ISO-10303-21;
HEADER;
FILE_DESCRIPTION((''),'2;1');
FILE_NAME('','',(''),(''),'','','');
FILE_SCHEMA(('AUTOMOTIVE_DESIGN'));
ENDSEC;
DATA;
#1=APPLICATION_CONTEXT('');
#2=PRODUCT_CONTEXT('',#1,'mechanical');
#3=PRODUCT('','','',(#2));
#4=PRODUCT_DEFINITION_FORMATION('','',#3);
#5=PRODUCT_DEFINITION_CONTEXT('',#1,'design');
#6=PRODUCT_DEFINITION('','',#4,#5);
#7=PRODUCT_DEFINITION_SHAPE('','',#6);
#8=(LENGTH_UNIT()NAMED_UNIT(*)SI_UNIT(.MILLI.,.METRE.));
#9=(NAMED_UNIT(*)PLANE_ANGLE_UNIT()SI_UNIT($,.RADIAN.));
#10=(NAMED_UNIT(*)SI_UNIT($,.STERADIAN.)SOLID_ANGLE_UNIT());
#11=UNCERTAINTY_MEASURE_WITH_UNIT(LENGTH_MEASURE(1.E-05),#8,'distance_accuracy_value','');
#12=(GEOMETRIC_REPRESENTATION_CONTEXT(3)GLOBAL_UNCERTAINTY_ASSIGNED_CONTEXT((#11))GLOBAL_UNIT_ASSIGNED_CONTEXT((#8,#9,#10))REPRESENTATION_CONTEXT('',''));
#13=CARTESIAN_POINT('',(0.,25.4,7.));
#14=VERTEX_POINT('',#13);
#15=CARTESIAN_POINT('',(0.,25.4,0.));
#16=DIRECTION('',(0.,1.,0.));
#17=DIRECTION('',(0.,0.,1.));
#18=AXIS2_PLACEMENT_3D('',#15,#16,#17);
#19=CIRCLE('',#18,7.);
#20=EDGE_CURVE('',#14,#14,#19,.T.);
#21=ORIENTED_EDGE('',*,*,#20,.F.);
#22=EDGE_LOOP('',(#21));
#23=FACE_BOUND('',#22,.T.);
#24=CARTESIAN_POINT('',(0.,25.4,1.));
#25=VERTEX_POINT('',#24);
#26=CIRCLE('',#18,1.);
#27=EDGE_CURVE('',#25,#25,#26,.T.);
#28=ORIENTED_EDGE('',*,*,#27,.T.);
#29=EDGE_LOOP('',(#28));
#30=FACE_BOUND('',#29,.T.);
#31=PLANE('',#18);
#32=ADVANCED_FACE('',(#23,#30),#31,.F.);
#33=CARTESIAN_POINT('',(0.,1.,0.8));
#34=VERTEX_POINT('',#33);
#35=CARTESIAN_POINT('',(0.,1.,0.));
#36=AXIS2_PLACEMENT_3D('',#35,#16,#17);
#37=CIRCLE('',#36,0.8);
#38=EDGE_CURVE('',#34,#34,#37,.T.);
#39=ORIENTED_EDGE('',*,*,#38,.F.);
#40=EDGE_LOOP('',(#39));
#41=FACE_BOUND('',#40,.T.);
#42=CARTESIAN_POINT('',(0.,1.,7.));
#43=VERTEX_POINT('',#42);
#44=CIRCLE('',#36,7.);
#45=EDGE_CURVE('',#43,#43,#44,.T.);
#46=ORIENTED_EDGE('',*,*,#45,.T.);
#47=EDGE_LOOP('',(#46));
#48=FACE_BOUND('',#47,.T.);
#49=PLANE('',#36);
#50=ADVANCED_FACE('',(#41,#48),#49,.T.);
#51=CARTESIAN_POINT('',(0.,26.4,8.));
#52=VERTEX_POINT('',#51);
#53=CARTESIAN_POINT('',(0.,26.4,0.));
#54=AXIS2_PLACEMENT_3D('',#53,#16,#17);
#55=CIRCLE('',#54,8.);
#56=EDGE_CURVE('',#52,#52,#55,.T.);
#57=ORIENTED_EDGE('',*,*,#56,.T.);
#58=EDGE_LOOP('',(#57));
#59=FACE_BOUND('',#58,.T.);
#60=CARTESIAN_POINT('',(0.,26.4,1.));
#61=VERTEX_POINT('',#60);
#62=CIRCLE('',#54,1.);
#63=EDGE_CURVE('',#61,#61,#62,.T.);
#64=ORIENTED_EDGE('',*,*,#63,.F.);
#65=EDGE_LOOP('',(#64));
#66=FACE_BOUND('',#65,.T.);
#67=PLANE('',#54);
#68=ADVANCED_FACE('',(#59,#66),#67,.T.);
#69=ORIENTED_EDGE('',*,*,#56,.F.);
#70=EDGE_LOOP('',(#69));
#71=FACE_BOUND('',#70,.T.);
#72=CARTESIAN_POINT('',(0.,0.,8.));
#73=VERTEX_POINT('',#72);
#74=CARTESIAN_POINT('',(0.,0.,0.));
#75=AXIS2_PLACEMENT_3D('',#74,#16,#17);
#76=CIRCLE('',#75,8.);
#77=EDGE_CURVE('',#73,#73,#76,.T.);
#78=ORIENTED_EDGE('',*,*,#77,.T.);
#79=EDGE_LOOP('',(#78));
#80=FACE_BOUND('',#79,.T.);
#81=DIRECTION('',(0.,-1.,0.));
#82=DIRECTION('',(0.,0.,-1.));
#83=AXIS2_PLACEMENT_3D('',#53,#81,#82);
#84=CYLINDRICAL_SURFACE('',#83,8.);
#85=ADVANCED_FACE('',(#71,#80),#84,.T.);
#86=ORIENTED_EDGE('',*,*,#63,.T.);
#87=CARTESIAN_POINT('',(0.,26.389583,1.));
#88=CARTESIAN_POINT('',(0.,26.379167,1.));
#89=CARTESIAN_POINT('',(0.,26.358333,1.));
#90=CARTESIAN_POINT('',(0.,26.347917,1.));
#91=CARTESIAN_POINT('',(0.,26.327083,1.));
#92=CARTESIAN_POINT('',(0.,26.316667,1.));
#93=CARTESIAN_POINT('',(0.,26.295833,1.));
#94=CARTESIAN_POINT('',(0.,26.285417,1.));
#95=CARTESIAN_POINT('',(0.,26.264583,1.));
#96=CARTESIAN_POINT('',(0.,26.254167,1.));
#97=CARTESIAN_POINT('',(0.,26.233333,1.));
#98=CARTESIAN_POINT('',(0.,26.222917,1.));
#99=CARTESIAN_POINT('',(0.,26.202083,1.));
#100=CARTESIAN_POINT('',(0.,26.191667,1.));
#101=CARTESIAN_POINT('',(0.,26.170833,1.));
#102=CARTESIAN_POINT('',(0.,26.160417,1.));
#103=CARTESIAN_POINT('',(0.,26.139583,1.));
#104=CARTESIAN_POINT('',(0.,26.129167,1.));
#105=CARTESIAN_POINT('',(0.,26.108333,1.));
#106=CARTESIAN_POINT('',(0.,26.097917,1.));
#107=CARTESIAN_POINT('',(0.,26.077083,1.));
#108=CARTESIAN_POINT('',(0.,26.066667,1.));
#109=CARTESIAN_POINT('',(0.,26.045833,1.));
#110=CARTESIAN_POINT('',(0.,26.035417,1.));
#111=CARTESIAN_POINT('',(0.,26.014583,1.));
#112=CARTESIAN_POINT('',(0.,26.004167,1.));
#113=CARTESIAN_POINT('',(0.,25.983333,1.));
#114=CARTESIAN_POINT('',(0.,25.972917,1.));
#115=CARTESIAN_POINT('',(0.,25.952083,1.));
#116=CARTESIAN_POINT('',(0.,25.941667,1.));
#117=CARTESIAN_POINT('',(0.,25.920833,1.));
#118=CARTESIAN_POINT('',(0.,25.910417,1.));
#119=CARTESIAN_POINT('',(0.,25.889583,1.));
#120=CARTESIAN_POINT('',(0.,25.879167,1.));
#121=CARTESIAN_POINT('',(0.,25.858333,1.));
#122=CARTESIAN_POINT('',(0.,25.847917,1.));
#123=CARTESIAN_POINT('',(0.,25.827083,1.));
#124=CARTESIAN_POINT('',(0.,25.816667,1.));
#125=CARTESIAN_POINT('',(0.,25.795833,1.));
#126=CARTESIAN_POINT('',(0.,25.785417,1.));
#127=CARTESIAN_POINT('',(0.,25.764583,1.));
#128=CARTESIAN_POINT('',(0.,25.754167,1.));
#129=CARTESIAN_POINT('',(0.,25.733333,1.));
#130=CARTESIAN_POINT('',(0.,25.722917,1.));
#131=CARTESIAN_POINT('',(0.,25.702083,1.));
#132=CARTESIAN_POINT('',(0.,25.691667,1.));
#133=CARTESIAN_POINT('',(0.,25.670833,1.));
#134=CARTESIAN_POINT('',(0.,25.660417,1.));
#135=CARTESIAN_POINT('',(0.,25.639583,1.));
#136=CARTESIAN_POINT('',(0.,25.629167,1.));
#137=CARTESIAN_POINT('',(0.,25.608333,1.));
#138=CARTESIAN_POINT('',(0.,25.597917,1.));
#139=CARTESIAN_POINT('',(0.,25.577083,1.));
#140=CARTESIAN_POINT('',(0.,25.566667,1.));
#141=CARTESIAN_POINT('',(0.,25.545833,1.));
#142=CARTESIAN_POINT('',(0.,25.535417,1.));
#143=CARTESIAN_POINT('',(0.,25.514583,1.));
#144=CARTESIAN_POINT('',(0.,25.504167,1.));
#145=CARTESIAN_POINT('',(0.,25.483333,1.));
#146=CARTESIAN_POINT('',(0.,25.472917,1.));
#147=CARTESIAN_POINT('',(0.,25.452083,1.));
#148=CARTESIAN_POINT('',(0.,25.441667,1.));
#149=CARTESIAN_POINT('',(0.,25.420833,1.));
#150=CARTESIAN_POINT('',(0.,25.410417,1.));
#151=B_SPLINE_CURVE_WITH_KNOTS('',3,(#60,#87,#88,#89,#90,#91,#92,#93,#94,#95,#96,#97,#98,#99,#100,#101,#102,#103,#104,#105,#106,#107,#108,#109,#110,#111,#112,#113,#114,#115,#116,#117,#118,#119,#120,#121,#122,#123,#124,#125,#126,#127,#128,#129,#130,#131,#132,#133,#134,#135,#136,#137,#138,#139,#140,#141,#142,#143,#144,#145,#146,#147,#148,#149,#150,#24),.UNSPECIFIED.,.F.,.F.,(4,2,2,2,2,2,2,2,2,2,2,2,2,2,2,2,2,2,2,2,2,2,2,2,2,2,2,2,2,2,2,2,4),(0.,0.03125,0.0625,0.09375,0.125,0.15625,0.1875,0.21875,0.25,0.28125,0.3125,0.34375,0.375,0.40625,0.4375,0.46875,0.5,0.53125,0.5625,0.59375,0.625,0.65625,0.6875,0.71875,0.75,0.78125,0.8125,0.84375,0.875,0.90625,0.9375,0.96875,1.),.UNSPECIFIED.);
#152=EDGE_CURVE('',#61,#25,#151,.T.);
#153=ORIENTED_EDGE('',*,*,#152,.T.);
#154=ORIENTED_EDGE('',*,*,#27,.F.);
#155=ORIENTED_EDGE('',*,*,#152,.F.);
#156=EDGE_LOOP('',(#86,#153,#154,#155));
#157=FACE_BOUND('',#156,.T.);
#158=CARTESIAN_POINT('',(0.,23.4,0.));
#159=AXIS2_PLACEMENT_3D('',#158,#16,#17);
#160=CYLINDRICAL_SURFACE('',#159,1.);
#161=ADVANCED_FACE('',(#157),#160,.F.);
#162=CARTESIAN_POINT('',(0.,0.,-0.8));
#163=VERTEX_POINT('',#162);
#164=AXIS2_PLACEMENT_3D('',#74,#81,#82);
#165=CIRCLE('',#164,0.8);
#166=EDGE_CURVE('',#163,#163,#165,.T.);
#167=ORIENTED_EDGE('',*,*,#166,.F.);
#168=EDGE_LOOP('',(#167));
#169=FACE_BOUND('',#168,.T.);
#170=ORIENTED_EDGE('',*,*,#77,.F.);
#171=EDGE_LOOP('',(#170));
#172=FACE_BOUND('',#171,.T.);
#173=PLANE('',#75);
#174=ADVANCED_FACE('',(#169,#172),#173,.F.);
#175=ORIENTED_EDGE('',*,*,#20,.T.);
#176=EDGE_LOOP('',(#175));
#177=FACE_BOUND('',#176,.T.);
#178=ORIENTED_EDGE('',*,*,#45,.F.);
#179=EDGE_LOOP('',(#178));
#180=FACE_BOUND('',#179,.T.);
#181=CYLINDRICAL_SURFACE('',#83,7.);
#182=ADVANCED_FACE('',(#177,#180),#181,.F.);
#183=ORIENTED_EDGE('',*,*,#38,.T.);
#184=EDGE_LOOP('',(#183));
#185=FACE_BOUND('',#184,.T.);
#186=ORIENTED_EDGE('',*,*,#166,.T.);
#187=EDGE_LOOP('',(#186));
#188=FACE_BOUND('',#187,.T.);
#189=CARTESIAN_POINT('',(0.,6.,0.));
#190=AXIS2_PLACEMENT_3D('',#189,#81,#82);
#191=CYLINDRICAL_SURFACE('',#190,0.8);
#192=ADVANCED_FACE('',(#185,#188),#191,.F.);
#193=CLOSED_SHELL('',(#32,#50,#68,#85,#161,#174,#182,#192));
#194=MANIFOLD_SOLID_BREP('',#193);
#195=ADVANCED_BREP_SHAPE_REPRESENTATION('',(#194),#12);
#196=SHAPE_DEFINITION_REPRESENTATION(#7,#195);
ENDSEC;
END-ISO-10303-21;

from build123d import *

# Parameters (mm, degrees)
SKETCH1_R           = 8
BOSS_EXTRUDE1_DEPTH = 26.4
SHELL7_T            = 1
SKETCH4_R           = 1
CUT_EXTRUDE1_DEPTH  = 3
SKETCH6_R           = 0.8
CUT_EXTRUDE2_DEPTH  = 6


with BuildPart() as part:
    # Sketch1 → Boss-Extrude1 (new body)
    with BuildSketch(Plane(origin=(0, 0, 0), x_dir=(1, 0, 0), z_dir=(0, 1, 0))):
        with Locations(Location((0, 0, 0), (0, 0, 270))):
            Circle(SKETCH1_R)
    extrude(amount=BOSS_EXTRUDE1_DEPTH)

    # Shell7 (no face opened: a closed hollow body)
    add(offset(amount=-SHELL7_T, mode=Mode.PRIVATE), mode=Mode.SUBTRACT)

    # Sketch4 → Cut-Extrude1 (cut)
    with BuildSketch(Plane(origin=(0, 26.4, 0), x_dir=(1, 0, 0), z_dir=(0, 1, 0))):
        with Locations(Location((0, 0, 0), (0, 0, 270))):
            Circle(SKETCH4_R)
    extrude(amount=-CUT_EXTRUDE1_DEPTH, mode=Mode.SUBTRACT)

    # Sketch6 → Cut-Extrude2 (cut)
    with BuildSketch(Plane.XZ):
        with Locations(Location((0, 0, 0), (0, 0, 270))):
            Circle(SKETCH6_R)
    extrude(amount=-CUT_EXTRUDE2_DEPTH, mode=Mode.SUBTRACT)


solid = part.part
